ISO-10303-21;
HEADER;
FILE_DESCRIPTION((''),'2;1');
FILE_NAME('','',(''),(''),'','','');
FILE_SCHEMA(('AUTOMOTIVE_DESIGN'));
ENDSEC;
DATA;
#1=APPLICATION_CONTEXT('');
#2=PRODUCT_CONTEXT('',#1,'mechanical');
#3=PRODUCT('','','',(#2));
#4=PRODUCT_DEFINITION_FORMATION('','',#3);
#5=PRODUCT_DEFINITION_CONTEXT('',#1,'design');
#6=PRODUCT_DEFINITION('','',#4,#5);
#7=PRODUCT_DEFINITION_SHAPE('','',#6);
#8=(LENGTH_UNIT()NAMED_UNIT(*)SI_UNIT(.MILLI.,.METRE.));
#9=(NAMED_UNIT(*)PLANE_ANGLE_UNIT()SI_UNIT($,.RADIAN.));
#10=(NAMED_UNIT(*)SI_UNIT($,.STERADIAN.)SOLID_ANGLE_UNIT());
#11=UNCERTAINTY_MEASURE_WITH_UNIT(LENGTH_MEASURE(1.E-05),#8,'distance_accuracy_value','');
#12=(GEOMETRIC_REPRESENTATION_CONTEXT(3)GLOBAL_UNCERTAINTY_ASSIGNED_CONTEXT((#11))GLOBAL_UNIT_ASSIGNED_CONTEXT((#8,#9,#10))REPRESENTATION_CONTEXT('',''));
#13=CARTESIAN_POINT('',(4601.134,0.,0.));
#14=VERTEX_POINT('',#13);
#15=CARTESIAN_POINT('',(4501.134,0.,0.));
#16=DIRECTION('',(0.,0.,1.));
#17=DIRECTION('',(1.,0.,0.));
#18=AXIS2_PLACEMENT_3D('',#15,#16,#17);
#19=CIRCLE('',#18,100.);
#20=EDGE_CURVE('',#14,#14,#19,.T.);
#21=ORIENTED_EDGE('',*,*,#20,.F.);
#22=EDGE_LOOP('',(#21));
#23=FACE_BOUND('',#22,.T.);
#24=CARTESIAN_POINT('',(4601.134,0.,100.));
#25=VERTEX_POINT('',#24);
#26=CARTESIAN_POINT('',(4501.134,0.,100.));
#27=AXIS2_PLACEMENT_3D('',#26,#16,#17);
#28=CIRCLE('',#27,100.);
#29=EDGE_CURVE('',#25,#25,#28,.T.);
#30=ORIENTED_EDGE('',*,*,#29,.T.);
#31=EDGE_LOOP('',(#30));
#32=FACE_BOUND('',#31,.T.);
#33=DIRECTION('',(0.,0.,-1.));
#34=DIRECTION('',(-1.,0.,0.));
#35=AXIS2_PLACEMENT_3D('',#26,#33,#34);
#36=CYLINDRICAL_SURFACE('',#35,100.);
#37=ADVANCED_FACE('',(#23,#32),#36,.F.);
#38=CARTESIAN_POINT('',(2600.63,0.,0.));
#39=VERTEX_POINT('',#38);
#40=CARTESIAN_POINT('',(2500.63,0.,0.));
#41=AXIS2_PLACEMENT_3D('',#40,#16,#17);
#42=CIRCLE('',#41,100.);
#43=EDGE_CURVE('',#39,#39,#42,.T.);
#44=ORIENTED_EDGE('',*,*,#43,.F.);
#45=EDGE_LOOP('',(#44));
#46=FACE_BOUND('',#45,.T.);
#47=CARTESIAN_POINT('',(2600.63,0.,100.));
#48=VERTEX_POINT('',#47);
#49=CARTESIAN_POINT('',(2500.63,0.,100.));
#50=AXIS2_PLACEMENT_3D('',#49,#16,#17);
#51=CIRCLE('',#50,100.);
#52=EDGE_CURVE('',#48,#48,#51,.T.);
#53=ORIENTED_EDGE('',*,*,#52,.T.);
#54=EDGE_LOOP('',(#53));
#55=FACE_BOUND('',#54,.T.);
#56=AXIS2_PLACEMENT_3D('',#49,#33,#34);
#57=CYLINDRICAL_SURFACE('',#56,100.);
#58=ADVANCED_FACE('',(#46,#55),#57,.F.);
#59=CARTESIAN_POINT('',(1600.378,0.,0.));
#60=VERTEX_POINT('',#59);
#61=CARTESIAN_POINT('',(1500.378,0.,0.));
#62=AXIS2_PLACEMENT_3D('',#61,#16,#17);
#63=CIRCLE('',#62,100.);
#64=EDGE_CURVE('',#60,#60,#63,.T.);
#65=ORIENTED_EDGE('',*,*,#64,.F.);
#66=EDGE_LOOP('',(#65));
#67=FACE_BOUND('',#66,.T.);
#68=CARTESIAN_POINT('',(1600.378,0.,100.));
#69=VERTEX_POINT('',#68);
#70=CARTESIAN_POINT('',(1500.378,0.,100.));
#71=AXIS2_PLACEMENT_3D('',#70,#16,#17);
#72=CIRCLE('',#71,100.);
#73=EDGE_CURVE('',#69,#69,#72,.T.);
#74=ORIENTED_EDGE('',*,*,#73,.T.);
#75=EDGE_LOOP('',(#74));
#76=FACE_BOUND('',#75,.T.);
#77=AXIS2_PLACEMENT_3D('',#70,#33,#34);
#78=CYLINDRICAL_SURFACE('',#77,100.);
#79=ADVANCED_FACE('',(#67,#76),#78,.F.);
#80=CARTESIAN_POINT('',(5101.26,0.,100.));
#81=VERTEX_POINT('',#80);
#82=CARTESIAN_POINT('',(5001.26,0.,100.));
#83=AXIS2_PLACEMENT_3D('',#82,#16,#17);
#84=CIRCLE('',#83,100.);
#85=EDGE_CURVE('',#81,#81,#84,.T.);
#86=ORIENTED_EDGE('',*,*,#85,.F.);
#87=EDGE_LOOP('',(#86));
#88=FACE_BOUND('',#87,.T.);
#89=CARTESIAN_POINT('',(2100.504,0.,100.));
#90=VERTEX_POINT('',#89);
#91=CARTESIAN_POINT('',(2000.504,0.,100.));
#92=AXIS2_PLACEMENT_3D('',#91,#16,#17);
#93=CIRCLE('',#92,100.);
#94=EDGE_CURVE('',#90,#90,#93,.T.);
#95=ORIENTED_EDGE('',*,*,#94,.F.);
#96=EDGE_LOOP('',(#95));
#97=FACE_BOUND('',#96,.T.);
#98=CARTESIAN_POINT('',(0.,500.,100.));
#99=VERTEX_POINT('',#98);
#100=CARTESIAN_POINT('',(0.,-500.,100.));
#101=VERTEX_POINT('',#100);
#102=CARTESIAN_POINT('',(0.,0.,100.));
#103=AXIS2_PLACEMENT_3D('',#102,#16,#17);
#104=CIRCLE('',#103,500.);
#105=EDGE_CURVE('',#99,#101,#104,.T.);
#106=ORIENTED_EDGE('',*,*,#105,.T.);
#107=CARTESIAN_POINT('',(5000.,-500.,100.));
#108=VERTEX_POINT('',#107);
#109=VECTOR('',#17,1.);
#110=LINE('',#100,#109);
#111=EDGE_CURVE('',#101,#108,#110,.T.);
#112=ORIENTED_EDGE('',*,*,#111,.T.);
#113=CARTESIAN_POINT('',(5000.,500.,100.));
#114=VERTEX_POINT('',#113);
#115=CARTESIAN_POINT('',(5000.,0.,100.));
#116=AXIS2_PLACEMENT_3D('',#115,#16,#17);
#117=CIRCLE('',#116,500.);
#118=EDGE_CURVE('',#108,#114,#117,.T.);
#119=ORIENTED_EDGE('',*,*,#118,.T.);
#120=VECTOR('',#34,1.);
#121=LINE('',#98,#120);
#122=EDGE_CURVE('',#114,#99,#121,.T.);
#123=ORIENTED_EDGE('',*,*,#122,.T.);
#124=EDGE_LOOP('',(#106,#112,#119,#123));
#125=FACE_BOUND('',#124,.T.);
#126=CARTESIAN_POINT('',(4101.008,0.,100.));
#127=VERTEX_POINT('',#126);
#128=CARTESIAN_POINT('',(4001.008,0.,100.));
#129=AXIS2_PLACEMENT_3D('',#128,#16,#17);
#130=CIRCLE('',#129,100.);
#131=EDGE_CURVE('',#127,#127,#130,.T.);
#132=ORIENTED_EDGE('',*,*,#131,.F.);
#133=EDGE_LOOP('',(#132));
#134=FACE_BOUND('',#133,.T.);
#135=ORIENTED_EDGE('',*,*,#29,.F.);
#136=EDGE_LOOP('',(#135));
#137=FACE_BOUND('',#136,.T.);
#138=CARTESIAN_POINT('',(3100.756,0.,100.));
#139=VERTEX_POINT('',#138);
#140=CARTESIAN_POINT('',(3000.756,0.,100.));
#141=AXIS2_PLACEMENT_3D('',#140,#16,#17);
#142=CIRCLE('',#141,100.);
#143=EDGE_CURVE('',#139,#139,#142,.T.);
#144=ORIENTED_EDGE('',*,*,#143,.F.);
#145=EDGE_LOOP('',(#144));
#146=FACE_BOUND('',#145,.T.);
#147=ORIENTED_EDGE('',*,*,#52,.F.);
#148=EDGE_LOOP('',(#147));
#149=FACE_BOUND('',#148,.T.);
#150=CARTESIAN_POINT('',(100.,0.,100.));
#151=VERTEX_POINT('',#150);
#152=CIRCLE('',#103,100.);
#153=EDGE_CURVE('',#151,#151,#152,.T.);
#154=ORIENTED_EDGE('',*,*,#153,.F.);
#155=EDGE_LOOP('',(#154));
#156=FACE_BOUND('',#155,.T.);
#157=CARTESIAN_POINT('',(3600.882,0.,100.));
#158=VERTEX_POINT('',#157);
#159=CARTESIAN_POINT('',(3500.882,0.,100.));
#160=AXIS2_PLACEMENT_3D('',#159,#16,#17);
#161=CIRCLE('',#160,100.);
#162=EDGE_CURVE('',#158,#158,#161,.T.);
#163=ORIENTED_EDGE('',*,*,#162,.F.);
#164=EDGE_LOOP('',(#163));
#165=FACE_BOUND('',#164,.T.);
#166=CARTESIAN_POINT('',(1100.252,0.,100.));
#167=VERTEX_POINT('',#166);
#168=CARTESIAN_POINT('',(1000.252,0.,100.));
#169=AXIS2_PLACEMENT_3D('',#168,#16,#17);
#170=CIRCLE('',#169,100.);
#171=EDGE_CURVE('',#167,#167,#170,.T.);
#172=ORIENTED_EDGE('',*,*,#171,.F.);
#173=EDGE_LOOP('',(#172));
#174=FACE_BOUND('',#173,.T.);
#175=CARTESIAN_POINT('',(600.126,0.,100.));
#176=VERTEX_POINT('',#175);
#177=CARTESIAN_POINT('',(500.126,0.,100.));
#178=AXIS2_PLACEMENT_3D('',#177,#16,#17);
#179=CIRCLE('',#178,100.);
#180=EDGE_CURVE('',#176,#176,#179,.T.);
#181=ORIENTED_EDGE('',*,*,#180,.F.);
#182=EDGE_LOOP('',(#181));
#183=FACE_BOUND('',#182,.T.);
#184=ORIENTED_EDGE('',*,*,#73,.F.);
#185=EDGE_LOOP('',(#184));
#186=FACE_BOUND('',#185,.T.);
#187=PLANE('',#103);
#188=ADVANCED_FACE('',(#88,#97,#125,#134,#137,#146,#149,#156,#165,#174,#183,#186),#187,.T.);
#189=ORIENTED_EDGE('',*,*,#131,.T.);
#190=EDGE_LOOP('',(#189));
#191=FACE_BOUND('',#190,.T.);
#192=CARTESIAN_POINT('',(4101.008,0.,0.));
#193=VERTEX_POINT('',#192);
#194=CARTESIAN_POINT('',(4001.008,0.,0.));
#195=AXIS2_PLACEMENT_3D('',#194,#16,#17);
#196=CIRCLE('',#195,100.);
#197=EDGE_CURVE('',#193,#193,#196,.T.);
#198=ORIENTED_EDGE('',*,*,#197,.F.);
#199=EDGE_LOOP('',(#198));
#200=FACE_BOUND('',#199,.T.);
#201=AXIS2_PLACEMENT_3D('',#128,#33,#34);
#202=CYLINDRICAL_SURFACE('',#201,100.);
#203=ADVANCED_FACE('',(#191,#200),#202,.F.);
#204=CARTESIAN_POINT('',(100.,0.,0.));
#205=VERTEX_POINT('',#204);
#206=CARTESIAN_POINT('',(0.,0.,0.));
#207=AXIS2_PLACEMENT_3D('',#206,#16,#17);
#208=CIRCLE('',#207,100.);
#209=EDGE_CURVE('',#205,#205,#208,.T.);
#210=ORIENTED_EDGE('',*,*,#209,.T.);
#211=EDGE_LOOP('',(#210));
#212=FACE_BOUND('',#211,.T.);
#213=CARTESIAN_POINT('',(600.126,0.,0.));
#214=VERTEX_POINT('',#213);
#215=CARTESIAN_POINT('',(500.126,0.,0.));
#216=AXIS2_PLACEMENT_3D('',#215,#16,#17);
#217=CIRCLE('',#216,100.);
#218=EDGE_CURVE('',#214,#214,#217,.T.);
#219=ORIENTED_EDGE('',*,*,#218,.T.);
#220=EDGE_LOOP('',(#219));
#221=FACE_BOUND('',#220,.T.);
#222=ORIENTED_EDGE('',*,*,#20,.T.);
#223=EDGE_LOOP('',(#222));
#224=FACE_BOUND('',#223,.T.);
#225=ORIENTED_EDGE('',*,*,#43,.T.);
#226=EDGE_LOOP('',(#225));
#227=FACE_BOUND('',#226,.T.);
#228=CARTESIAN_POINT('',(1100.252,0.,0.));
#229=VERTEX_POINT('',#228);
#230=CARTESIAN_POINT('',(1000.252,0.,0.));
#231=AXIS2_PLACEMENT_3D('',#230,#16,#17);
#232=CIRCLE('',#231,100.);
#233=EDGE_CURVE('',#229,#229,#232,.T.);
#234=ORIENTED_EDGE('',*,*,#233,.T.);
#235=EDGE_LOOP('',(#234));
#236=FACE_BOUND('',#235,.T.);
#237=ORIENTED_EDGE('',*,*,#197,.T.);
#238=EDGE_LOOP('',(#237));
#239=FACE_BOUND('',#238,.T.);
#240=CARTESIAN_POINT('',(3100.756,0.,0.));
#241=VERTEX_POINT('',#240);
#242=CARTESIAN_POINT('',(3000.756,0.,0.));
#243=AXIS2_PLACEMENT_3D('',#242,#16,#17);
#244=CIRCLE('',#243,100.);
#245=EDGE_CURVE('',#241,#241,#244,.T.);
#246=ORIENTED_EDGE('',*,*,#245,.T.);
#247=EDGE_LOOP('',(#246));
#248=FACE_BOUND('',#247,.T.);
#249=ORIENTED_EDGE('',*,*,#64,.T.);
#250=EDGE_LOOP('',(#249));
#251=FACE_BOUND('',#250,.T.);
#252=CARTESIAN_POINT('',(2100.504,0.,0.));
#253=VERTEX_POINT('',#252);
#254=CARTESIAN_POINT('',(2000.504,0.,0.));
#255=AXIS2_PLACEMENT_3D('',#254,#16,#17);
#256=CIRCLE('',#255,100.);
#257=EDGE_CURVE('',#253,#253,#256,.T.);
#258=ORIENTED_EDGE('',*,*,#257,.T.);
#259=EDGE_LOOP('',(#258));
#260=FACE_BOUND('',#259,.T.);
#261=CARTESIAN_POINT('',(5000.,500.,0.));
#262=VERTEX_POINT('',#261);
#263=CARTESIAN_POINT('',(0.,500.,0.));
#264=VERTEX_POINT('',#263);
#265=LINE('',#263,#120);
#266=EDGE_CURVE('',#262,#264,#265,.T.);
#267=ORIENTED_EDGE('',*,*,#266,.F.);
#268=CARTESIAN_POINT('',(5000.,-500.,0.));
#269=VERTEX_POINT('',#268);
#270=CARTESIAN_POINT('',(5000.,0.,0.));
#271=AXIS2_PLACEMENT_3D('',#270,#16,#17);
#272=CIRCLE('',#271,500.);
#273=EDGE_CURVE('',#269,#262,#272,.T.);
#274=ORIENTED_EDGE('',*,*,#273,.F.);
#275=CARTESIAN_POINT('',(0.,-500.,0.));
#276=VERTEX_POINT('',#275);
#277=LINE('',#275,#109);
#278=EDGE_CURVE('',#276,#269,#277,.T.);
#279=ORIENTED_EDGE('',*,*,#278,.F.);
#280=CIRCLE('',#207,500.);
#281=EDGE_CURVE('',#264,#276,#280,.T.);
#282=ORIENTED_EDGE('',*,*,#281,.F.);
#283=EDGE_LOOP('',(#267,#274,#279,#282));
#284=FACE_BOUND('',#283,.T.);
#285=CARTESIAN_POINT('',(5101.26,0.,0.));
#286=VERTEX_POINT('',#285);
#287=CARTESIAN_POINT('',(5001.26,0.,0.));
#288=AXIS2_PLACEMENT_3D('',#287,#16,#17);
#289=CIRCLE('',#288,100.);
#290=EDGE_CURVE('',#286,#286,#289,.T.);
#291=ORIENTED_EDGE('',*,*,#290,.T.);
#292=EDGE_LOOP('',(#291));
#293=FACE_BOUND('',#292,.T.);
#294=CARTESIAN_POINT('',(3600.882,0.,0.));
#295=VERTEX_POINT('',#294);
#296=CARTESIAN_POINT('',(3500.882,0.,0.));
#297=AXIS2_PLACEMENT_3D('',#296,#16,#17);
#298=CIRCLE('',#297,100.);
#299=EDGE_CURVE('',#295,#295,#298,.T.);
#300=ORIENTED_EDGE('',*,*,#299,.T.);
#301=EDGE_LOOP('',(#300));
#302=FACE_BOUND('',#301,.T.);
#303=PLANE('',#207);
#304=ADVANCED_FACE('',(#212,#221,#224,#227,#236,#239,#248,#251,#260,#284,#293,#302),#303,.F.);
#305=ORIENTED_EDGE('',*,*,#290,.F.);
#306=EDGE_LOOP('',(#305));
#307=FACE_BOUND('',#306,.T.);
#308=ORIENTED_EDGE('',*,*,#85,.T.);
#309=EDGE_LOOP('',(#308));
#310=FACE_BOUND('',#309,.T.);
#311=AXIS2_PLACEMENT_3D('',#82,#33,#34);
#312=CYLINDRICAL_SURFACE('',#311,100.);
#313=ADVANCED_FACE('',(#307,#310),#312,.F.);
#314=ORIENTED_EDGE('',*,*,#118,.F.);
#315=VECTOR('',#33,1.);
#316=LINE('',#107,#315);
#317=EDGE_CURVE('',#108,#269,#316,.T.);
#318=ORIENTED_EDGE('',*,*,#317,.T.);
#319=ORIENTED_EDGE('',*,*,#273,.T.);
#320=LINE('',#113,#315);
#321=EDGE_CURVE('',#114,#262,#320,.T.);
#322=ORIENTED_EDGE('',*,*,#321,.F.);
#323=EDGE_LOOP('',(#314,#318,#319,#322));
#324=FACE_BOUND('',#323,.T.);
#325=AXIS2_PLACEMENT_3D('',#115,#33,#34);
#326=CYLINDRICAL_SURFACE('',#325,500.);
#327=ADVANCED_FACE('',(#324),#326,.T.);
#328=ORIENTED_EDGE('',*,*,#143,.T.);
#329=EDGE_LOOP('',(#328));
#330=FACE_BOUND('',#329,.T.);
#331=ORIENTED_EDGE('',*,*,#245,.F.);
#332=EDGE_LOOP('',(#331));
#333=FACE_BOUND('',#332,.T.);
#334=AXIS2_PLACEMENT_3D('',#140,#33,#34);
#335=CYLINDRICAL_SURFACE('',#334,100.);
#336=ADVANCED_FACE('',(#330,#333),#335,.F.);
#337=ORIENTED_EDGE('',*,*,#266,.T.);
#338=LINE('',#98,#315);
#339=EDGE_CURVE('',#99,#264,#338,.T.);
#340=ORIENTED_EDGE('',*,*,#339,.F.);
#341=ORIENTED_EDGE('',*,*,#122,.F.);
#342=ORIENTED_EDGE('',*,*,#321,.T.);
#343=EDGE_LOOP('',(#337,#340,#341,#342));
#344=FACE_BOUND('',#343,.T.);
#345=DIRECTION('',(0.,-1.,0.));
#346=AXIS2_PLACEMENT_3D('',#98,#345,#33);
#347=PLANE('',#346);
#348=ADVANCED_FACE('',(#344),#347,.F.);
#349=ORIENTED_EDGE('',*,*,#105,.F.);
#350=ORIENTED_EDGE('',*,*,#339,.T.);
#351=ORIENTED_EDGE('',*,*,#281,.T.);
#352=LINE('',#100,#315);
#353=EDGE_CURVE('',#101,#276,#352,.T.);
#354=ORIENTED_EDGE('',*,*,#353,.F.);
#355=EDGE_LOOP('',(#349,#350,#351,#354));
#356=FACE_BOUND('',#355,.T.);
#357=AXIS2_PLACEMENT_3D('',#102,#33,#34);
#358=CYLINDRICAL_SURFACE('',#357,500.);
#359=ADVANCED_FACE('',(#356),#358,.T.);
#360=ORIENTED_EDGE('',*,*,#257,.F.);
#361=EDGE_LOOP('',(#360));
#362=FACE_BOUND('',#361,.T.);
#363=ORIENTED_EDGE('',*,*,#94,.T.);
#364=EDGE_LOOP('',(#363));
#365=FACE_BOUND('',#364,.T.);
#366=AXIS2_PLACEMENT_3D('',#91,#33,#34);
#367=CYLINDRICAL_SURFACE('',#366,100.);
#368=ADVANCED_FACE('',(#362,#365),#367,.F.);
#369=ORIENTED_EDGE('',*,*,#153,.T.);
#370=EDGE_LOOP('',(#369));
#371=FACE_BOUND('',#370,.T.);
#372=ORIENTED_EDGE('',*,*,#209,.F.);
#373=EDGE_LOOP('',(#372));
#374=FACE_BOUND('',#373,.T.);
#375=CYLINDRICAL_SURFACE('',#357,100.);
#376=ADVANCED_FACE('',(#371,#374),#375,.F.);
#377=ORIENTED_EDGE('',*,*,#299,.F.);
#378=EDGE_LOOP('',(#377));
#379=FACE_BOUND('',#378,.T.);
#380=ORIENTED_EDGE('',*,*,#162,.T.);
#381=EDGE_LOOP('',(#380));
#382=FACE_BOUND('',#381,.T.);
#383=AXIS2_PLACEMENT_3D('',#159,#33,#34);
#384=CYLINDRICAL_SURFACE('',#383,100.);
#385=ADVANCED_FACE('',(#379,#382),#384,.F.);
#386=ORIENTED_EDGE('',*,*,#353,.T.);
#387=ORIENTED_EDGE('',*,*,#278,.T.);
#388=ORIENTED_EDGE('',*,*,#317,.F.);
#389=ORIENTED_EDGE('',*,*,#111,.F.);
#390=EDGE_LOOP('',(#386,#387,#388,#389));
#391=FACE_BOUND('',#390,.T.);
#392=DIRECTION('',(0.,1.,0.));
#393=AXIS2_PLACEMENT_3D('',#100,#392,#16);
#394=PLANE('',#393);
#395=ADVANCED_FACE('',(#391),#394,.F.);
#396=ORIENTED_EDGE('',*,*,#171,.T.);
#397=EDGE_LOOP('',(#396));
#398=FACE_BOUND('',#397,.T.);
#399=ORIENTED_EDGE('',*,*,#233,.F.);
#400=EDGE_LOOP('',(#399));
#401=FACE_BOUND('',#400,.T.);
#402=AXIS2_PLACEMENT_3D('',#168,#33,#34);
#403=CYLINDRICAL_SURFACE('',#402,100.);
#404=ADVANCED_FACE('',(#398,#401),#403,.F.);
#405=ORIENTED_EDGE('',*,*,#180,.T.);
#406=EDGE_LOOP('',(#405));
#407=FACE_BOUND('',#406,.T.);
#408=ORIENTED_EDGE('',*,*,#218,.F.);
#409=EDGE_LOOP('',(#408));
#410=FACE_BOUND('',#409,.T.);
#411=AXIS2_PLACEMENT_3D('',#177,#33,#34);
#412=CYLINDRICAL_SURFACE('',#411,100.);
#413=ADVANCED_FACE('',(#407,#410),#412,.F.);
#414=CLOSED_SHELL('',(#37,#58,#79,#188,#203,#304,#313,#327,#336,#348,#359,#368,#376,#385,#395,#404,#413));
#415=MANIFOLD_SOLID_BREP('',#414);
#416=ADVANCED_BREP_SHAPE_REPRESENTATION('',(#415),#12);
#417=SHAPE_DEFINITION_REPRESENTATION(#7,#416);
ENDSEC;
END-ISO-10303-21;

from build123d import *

# Parameters (mm, degrees)
SKETCH2_R           = 100
BOSS_EXTRUDE2_DEPTH = 100


with BuildPart() as part:
    # Sketch2 → Boss-Extrude2 (new body)
    with BuildSketch(Plane.XY):
        with BuildLine():
            Line((0, 500), (5000, 500))
            ThreePointArc((5000, 500), (5500, 0), (5000, -500))
            Line((5000, -500), (0, -500))
            ThreePointArc((0, -500), (-500, 0), (0, 500))
        make_face()
        Circle(SKETCH2_R, mode=Mode.SUBTRACT)
        with Locations((500.126, 0)):
            Circle(SKETCH2_R, mode=Mode.SUBTRACT)
        with Locations((1000.252, 0)):
            Circle(SKETCH2_R, mode=Mode.SUBTRACT)
        with Locations((1500.378, 0)):
            Circle(SKETCH2_R, mode=Mode.SUBTRACT)
        with Locations((2000.504, 0)):
            Circle(SKETCH2_R, mode=Mode.SUBTRACT)
        with Locations((2500.63, 0)):
            Circle(SKETCH2_R, mode=Mode.SUBTRACT)
        with Locations((3000.756, 0)):
            Circle(SKETCH2_R, mode=Mode.SUBTRACT)
        with Locations((3500.882, 0)):
            Circle(SKETCH2_R, mode=Mode.SUBTRACT)
        with Locations((4001.008, 0)):
            Circle(SKETCH2_R, mode=Mode.SUBTRACT)
        with Locations((4501.134, 0)):
            Circle(SKETCH2_R, mode=Mode.SUBTRACT)
        with Locations((5001.26, 0)):
            Circle(SKETCH2_R, mode=Mode.SUBTRACT)
    extrude(amount=BOSS_EXTRUDE2_DEPTH)


solid = part.part
